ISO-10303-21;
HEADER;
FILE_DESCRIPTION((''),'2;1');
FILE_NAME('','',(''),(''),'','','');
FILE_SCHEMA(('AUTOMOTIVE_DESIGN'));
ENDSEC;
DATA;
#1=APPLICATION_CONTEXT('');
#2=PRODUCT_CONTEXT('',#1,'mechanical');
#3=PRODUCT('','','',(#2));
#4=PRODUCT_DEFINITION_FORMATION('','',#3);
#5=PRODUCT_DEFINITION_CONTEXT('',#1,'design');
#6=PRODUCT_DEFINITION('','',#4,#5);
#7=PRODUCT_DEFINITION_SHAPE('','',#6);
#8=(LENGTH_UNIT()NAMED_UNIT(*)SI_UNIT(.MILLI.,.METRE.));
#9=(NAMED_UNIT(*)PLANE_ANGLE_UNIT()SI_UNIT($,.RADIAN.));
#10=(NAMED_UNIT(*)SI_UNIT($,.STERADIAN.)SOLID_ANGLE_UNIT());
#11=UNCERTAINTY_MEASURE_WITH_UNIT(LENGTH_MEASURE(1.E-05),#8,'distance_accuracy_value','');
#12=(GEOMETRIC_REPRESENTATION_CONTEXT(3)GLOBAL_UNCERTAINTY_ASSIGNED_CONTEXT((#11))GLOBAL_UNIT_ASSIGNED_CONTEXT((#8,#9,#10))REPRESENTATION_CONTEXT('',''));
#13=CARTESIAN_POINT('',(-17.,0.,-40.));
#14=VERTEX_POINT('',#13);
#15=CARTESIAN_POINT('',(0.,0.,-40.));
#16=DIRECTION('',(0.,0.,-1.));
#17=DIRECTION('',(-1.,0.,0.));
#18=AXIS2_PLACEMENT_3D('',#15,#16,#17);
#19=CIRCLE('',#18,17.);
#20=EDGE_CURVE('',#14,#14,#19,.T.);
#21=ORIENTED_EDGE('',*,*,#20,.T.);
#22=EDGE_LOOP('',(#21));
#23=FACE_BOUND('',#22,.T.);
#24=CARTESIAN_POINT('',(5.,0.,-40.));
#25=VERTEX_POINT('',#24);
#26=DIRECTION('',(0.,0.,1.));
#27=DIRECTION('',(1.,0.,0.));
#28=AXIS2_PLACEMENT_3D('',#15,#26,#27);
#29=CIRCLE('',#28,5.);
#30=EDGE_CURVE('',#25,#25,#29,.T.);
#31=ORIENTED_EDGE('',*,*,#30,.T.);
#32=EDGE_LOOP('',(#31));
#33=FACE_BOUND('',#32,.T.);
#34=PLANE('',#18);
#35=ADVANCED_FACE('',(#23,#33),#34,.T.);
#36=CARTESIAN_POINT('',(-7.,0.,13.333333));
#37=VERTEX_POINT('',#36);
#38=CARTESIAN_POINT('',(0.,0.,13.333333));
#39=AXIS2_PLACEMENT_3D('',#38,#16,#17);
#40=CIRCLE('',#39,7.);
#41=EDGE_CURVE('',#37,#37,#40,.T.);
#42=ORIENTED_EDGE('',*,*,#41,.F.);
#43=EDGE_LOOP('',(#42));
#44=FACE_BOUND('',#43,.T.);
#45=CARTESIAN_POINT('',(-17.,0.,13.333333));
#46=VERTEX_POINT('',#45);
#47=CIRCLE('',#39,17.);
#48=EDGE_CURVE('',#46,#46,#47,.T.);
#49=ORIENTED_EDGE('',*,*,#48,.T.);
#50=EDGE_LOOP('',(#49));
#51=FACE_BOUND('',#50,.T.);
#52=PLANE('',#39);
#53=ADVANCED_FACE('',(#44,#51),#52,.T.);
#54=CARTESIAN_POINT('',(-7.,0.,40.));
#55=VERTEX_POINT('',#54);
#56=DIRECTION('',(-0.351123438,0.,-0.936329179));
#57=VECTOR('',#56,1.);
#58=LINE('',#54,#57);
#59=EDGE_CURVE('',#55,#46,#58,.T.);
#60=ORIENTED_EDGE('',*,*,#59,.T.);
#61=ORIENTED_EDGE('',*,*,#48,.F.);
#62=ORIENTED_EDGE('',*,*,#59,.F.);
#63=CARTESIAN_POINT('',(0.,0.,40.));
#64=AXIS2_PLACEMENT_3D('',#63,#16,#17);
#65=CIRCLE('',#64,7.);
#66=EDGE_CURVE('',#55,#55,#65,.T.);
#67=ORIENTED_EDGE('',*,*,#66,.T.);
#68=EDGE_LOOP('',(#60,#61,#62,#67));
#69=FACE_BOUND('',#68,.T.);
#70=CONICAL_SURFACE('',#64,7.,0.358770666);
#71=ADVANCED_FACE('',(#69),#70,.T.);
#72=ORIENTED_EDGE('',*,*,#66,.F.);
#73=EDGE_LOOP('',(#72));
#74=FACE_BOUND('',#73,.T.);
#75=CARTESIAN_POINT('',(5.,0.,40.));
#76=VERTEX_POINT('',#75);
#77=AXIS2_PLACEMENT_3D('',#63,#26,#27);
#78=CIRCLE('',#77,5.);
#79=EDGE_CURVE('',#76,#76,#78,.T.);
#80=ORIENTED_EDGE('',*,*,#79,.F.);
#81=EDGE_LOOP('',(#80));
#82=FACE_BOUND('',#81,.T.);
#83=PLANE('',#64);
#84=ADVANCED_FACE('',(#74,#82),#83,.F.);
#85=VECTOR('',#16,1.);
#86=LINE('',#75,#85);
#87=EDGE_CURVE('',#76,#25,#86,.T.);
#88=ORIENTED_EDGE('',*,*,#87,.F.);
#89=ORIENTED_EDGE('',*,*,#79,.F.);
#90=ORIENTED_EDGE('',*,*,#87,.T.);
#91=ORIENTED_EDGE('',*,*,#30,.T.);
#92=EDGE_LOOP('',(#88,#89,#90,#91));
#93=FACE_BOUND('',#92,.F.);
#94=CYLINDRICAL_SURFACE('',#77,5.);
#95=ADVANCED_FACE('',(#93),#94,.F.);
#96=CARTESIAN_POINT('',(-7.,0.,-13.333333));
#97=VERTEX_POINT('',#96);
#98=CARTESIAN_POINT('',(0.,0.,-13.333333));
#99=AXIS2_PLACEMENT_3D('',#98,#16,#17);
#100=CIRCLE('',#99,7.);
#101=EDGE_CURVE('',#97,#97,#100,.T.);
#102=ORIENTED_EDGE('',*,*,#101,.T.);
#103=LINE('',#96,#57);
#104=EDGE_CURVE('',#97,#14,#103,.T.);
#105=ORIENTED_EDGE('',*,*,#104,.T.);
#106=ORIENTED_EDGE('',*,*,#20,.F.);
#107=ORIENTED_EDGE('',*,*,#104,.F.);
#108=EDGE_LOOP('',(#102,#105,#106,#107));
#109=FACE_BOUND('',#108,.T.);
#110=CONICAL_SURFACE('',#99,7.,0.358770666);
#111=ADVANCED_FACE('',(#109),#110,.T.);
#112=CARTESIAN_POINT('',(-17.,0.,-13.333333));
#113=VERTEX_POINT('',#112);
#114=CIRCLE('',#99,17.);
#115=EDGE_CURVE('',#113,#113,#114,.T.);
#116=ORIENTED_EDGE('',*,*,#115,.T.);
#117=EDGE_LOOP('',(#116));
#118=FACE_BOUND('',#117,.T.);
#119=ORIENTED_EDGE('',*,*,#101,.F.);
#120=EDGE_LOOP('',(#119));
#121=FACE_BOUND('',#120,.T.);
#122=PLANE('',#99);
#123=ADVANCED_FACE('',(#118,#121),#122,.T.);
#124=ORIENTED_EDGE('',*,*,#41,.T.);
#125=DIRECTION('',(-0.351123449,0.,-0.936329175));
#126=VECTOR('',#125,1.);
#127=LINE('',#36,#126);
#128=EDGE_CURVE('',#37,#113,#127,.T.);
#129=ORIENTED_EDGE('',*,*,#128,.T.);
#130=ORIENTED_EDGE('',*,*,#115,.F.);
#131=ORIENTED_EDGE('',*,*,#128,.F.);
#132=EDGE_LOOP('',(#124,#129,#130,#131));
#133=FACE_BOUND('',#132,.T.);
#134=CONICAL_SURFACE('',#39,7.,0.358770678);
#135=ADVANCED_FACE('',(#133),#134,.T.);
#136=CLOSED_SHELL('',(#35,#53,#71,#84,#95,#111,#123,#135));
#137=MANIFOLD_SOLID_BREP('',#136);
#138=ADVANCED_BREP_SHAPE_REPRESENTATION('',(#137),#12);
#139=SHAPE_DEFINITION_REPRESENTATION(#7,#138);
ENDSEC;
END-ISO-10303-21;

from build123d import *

# Parameters (mm, degrees)
F2_R     = 5
F3_DEPTH = 80.001


with BuildPart() as f1:
    # F0 (on Front) → F1 (revolve)
    with BuildSketch(Plane.XZ):
        Polygon((0, 40), (-7, 40), (-17, 13.333333), (-7, 13.333333), (-17, -13.333333), (-7, -13.333333), (-17, -40), (-7, -40), (0, -40), align=None)
    revolve(axis=Axis((0, 0, 0), (0, 0, -1)))

    # F2 (on face) → F3 (cut, through all)
    with BuildSketch(Plane.XY.offset(40)):
        Circle(F2_R)
    extrude(amount=-F3_DEPTH, mode=Mode.SUBTRACT)


solid = f1.part
